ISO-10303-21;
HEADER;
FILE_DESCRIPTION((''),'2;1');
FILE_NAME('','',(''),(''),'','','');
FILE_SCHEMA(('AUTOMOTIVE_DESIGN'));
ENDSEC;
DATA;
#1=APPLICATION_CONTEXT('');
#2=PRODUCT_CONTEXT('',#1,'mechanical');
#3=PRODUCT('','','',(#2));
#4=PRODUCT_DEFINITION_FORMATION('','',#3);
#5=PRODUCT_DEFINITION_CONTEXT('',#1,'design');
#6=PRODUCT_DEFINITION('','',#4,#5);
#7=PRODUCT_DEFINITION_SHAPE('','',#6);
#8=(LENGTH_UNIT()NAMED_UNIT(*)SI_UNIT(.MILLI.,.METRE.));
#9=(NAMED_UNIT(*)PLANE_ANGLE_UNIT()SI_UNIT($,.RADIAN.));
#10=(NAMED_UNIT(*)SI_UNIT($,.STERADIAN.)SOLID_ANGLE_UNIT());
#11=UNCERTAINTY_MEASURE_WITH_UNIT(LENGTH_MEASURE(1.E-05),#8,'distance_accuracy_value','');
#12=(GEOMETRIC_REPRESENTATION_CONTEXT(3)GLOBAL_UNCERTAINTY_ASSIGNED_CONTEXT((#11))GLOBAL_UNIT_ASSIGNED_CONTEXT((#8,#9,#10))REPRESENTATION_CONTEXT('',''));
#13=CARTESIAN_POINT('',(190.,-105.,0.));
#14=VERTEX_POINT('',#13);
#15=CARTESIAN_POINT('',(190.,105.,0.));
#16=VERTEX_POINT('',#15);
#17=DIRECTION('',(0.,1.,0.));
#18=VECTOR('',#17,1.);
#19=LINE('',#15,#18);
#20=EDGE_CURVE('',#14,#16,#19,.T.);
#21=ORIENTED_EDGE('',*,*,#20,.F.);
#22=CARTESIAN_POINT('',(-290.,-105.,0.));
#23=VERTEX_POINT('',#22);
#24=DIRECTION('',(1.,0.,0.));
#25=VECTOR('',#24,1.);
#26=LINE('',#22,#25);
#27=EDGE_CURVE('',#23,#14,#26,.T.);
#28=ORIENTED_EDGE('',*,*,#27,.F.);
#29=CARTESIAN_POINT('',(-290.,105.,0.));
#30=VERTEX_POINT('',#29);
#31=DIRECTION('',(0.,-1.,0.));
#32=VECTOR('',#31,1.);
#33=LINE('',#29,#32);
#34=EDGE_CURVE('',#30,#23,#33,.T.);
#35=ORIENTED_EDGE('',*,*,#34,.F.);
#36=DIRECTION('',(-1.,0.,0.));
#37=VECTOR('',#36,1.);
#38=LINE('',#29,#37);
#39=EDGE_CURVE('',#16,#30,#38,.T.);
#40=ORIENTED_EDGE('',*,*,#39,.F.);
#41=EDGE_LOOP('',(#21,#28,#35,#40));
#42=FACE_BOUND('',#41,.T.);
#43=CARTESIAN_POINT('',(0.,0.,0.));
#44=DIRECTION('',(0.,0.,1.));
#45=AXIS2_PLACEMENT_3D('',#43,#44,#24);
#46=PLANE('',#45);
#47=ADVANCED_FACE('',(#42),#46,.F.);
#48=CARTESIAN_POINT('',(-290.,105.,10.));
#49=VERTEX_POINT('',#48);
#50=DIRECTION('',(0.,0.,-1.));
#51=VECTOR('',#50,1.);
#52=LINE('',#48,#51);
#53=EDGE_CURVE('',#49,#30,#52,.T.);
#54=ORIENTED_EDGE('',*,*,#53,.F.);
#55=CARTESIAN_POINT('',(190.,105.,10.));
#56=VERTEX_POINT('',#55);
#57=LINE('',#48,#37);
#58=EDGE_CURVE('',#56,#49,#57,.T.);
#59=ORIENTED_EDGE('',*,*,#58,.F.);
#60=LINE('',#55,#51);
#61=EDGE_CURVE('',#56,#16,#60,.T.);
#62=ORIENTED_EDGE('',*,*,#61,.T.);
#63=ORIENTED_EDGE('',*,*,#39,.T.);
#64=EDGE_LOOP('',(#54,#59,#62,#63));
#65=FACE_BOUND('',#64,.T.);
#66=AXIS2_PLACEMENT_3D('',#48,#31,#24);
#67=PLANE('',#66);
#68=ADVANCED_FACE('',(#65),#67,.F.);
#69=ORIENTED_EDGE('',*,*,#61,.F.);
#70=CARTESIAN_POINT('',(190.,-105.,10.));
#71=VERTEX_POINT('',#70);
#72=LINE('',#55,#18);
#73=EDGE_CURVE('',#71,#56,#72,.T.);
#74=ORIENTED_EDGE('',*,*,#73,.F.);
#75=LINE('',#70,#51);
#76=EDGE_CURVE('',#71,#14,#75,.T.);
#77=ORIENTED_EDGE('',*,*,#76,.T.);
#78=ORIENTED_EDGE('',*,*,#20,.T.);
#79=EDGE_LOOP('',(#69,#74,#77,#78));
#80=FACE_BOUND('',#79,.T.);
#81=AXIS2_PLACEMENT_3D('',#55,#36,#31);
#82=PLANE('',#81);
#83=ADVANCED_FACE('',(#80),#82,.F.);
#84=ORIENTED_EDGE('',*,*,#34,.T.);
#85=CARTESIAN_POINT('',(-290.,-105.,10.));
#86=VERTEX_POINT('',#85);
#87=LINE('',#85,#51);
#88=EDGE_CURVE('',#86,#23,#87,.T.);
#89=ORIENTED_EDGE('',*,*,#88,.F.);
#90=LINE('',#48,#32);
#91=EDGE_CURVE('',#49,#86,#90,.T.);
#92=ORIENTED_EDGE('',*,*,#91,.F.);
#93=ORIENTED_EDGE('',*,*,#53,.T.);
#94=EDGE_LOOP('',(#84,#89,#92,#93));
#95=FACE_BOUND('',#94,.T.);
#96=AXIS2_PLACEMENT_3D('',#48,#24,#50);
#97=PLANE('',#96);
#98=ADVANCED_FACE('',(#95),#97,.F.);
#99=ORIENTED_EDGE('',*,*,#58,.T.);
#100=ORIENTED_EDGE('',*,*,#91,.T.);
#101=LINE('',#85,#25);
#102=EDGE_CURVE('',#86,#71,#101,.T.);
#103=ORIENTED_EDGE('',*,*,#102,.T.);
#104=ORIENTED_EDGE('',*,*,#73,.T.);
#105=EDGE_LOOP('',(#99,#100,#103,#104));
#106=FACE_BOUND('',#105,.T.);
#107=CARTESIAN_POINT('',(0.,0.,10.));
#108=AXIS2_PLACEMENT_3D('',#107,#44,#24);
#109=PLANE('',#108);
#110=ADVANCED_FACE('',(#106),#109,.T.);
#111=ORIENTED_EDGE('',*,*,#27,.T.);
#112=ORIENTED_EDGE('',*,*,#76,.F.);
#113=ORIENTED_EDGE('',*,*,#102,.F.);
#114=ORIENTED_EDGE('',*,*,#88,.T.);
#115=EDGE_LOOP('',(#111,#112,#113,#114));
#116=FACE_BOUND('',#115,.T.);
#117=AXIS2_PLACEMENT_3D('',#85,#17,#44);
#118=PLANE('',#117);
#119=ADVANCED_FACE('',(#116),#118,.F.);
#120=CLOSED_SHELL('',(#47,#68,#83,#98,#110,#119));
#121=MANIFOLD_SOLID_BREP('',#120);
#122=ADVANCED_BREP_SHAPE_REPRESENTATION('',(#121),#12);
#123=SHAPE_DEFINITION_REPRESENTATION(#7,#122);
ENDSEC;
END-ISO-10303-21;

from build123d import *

# Parameters (mm, degrees)
ESQUISSE1_W        = 480
ESQUISSE1_H        = 210
BOSS_EXTRU_1_DEPTH = 10


with BuildPart() as part:
    # Esquisse1 → Boss.-Extru.1 (new body)
    with BuildSketch(Plane.XY):
        with Locations((-50, 0)):
            Rectangle(ESQUISSE1_W, ESQUISSE1_H)
    extrude(amount=BOSS_EXTRU_1_DEPTH)


solid = part.part
